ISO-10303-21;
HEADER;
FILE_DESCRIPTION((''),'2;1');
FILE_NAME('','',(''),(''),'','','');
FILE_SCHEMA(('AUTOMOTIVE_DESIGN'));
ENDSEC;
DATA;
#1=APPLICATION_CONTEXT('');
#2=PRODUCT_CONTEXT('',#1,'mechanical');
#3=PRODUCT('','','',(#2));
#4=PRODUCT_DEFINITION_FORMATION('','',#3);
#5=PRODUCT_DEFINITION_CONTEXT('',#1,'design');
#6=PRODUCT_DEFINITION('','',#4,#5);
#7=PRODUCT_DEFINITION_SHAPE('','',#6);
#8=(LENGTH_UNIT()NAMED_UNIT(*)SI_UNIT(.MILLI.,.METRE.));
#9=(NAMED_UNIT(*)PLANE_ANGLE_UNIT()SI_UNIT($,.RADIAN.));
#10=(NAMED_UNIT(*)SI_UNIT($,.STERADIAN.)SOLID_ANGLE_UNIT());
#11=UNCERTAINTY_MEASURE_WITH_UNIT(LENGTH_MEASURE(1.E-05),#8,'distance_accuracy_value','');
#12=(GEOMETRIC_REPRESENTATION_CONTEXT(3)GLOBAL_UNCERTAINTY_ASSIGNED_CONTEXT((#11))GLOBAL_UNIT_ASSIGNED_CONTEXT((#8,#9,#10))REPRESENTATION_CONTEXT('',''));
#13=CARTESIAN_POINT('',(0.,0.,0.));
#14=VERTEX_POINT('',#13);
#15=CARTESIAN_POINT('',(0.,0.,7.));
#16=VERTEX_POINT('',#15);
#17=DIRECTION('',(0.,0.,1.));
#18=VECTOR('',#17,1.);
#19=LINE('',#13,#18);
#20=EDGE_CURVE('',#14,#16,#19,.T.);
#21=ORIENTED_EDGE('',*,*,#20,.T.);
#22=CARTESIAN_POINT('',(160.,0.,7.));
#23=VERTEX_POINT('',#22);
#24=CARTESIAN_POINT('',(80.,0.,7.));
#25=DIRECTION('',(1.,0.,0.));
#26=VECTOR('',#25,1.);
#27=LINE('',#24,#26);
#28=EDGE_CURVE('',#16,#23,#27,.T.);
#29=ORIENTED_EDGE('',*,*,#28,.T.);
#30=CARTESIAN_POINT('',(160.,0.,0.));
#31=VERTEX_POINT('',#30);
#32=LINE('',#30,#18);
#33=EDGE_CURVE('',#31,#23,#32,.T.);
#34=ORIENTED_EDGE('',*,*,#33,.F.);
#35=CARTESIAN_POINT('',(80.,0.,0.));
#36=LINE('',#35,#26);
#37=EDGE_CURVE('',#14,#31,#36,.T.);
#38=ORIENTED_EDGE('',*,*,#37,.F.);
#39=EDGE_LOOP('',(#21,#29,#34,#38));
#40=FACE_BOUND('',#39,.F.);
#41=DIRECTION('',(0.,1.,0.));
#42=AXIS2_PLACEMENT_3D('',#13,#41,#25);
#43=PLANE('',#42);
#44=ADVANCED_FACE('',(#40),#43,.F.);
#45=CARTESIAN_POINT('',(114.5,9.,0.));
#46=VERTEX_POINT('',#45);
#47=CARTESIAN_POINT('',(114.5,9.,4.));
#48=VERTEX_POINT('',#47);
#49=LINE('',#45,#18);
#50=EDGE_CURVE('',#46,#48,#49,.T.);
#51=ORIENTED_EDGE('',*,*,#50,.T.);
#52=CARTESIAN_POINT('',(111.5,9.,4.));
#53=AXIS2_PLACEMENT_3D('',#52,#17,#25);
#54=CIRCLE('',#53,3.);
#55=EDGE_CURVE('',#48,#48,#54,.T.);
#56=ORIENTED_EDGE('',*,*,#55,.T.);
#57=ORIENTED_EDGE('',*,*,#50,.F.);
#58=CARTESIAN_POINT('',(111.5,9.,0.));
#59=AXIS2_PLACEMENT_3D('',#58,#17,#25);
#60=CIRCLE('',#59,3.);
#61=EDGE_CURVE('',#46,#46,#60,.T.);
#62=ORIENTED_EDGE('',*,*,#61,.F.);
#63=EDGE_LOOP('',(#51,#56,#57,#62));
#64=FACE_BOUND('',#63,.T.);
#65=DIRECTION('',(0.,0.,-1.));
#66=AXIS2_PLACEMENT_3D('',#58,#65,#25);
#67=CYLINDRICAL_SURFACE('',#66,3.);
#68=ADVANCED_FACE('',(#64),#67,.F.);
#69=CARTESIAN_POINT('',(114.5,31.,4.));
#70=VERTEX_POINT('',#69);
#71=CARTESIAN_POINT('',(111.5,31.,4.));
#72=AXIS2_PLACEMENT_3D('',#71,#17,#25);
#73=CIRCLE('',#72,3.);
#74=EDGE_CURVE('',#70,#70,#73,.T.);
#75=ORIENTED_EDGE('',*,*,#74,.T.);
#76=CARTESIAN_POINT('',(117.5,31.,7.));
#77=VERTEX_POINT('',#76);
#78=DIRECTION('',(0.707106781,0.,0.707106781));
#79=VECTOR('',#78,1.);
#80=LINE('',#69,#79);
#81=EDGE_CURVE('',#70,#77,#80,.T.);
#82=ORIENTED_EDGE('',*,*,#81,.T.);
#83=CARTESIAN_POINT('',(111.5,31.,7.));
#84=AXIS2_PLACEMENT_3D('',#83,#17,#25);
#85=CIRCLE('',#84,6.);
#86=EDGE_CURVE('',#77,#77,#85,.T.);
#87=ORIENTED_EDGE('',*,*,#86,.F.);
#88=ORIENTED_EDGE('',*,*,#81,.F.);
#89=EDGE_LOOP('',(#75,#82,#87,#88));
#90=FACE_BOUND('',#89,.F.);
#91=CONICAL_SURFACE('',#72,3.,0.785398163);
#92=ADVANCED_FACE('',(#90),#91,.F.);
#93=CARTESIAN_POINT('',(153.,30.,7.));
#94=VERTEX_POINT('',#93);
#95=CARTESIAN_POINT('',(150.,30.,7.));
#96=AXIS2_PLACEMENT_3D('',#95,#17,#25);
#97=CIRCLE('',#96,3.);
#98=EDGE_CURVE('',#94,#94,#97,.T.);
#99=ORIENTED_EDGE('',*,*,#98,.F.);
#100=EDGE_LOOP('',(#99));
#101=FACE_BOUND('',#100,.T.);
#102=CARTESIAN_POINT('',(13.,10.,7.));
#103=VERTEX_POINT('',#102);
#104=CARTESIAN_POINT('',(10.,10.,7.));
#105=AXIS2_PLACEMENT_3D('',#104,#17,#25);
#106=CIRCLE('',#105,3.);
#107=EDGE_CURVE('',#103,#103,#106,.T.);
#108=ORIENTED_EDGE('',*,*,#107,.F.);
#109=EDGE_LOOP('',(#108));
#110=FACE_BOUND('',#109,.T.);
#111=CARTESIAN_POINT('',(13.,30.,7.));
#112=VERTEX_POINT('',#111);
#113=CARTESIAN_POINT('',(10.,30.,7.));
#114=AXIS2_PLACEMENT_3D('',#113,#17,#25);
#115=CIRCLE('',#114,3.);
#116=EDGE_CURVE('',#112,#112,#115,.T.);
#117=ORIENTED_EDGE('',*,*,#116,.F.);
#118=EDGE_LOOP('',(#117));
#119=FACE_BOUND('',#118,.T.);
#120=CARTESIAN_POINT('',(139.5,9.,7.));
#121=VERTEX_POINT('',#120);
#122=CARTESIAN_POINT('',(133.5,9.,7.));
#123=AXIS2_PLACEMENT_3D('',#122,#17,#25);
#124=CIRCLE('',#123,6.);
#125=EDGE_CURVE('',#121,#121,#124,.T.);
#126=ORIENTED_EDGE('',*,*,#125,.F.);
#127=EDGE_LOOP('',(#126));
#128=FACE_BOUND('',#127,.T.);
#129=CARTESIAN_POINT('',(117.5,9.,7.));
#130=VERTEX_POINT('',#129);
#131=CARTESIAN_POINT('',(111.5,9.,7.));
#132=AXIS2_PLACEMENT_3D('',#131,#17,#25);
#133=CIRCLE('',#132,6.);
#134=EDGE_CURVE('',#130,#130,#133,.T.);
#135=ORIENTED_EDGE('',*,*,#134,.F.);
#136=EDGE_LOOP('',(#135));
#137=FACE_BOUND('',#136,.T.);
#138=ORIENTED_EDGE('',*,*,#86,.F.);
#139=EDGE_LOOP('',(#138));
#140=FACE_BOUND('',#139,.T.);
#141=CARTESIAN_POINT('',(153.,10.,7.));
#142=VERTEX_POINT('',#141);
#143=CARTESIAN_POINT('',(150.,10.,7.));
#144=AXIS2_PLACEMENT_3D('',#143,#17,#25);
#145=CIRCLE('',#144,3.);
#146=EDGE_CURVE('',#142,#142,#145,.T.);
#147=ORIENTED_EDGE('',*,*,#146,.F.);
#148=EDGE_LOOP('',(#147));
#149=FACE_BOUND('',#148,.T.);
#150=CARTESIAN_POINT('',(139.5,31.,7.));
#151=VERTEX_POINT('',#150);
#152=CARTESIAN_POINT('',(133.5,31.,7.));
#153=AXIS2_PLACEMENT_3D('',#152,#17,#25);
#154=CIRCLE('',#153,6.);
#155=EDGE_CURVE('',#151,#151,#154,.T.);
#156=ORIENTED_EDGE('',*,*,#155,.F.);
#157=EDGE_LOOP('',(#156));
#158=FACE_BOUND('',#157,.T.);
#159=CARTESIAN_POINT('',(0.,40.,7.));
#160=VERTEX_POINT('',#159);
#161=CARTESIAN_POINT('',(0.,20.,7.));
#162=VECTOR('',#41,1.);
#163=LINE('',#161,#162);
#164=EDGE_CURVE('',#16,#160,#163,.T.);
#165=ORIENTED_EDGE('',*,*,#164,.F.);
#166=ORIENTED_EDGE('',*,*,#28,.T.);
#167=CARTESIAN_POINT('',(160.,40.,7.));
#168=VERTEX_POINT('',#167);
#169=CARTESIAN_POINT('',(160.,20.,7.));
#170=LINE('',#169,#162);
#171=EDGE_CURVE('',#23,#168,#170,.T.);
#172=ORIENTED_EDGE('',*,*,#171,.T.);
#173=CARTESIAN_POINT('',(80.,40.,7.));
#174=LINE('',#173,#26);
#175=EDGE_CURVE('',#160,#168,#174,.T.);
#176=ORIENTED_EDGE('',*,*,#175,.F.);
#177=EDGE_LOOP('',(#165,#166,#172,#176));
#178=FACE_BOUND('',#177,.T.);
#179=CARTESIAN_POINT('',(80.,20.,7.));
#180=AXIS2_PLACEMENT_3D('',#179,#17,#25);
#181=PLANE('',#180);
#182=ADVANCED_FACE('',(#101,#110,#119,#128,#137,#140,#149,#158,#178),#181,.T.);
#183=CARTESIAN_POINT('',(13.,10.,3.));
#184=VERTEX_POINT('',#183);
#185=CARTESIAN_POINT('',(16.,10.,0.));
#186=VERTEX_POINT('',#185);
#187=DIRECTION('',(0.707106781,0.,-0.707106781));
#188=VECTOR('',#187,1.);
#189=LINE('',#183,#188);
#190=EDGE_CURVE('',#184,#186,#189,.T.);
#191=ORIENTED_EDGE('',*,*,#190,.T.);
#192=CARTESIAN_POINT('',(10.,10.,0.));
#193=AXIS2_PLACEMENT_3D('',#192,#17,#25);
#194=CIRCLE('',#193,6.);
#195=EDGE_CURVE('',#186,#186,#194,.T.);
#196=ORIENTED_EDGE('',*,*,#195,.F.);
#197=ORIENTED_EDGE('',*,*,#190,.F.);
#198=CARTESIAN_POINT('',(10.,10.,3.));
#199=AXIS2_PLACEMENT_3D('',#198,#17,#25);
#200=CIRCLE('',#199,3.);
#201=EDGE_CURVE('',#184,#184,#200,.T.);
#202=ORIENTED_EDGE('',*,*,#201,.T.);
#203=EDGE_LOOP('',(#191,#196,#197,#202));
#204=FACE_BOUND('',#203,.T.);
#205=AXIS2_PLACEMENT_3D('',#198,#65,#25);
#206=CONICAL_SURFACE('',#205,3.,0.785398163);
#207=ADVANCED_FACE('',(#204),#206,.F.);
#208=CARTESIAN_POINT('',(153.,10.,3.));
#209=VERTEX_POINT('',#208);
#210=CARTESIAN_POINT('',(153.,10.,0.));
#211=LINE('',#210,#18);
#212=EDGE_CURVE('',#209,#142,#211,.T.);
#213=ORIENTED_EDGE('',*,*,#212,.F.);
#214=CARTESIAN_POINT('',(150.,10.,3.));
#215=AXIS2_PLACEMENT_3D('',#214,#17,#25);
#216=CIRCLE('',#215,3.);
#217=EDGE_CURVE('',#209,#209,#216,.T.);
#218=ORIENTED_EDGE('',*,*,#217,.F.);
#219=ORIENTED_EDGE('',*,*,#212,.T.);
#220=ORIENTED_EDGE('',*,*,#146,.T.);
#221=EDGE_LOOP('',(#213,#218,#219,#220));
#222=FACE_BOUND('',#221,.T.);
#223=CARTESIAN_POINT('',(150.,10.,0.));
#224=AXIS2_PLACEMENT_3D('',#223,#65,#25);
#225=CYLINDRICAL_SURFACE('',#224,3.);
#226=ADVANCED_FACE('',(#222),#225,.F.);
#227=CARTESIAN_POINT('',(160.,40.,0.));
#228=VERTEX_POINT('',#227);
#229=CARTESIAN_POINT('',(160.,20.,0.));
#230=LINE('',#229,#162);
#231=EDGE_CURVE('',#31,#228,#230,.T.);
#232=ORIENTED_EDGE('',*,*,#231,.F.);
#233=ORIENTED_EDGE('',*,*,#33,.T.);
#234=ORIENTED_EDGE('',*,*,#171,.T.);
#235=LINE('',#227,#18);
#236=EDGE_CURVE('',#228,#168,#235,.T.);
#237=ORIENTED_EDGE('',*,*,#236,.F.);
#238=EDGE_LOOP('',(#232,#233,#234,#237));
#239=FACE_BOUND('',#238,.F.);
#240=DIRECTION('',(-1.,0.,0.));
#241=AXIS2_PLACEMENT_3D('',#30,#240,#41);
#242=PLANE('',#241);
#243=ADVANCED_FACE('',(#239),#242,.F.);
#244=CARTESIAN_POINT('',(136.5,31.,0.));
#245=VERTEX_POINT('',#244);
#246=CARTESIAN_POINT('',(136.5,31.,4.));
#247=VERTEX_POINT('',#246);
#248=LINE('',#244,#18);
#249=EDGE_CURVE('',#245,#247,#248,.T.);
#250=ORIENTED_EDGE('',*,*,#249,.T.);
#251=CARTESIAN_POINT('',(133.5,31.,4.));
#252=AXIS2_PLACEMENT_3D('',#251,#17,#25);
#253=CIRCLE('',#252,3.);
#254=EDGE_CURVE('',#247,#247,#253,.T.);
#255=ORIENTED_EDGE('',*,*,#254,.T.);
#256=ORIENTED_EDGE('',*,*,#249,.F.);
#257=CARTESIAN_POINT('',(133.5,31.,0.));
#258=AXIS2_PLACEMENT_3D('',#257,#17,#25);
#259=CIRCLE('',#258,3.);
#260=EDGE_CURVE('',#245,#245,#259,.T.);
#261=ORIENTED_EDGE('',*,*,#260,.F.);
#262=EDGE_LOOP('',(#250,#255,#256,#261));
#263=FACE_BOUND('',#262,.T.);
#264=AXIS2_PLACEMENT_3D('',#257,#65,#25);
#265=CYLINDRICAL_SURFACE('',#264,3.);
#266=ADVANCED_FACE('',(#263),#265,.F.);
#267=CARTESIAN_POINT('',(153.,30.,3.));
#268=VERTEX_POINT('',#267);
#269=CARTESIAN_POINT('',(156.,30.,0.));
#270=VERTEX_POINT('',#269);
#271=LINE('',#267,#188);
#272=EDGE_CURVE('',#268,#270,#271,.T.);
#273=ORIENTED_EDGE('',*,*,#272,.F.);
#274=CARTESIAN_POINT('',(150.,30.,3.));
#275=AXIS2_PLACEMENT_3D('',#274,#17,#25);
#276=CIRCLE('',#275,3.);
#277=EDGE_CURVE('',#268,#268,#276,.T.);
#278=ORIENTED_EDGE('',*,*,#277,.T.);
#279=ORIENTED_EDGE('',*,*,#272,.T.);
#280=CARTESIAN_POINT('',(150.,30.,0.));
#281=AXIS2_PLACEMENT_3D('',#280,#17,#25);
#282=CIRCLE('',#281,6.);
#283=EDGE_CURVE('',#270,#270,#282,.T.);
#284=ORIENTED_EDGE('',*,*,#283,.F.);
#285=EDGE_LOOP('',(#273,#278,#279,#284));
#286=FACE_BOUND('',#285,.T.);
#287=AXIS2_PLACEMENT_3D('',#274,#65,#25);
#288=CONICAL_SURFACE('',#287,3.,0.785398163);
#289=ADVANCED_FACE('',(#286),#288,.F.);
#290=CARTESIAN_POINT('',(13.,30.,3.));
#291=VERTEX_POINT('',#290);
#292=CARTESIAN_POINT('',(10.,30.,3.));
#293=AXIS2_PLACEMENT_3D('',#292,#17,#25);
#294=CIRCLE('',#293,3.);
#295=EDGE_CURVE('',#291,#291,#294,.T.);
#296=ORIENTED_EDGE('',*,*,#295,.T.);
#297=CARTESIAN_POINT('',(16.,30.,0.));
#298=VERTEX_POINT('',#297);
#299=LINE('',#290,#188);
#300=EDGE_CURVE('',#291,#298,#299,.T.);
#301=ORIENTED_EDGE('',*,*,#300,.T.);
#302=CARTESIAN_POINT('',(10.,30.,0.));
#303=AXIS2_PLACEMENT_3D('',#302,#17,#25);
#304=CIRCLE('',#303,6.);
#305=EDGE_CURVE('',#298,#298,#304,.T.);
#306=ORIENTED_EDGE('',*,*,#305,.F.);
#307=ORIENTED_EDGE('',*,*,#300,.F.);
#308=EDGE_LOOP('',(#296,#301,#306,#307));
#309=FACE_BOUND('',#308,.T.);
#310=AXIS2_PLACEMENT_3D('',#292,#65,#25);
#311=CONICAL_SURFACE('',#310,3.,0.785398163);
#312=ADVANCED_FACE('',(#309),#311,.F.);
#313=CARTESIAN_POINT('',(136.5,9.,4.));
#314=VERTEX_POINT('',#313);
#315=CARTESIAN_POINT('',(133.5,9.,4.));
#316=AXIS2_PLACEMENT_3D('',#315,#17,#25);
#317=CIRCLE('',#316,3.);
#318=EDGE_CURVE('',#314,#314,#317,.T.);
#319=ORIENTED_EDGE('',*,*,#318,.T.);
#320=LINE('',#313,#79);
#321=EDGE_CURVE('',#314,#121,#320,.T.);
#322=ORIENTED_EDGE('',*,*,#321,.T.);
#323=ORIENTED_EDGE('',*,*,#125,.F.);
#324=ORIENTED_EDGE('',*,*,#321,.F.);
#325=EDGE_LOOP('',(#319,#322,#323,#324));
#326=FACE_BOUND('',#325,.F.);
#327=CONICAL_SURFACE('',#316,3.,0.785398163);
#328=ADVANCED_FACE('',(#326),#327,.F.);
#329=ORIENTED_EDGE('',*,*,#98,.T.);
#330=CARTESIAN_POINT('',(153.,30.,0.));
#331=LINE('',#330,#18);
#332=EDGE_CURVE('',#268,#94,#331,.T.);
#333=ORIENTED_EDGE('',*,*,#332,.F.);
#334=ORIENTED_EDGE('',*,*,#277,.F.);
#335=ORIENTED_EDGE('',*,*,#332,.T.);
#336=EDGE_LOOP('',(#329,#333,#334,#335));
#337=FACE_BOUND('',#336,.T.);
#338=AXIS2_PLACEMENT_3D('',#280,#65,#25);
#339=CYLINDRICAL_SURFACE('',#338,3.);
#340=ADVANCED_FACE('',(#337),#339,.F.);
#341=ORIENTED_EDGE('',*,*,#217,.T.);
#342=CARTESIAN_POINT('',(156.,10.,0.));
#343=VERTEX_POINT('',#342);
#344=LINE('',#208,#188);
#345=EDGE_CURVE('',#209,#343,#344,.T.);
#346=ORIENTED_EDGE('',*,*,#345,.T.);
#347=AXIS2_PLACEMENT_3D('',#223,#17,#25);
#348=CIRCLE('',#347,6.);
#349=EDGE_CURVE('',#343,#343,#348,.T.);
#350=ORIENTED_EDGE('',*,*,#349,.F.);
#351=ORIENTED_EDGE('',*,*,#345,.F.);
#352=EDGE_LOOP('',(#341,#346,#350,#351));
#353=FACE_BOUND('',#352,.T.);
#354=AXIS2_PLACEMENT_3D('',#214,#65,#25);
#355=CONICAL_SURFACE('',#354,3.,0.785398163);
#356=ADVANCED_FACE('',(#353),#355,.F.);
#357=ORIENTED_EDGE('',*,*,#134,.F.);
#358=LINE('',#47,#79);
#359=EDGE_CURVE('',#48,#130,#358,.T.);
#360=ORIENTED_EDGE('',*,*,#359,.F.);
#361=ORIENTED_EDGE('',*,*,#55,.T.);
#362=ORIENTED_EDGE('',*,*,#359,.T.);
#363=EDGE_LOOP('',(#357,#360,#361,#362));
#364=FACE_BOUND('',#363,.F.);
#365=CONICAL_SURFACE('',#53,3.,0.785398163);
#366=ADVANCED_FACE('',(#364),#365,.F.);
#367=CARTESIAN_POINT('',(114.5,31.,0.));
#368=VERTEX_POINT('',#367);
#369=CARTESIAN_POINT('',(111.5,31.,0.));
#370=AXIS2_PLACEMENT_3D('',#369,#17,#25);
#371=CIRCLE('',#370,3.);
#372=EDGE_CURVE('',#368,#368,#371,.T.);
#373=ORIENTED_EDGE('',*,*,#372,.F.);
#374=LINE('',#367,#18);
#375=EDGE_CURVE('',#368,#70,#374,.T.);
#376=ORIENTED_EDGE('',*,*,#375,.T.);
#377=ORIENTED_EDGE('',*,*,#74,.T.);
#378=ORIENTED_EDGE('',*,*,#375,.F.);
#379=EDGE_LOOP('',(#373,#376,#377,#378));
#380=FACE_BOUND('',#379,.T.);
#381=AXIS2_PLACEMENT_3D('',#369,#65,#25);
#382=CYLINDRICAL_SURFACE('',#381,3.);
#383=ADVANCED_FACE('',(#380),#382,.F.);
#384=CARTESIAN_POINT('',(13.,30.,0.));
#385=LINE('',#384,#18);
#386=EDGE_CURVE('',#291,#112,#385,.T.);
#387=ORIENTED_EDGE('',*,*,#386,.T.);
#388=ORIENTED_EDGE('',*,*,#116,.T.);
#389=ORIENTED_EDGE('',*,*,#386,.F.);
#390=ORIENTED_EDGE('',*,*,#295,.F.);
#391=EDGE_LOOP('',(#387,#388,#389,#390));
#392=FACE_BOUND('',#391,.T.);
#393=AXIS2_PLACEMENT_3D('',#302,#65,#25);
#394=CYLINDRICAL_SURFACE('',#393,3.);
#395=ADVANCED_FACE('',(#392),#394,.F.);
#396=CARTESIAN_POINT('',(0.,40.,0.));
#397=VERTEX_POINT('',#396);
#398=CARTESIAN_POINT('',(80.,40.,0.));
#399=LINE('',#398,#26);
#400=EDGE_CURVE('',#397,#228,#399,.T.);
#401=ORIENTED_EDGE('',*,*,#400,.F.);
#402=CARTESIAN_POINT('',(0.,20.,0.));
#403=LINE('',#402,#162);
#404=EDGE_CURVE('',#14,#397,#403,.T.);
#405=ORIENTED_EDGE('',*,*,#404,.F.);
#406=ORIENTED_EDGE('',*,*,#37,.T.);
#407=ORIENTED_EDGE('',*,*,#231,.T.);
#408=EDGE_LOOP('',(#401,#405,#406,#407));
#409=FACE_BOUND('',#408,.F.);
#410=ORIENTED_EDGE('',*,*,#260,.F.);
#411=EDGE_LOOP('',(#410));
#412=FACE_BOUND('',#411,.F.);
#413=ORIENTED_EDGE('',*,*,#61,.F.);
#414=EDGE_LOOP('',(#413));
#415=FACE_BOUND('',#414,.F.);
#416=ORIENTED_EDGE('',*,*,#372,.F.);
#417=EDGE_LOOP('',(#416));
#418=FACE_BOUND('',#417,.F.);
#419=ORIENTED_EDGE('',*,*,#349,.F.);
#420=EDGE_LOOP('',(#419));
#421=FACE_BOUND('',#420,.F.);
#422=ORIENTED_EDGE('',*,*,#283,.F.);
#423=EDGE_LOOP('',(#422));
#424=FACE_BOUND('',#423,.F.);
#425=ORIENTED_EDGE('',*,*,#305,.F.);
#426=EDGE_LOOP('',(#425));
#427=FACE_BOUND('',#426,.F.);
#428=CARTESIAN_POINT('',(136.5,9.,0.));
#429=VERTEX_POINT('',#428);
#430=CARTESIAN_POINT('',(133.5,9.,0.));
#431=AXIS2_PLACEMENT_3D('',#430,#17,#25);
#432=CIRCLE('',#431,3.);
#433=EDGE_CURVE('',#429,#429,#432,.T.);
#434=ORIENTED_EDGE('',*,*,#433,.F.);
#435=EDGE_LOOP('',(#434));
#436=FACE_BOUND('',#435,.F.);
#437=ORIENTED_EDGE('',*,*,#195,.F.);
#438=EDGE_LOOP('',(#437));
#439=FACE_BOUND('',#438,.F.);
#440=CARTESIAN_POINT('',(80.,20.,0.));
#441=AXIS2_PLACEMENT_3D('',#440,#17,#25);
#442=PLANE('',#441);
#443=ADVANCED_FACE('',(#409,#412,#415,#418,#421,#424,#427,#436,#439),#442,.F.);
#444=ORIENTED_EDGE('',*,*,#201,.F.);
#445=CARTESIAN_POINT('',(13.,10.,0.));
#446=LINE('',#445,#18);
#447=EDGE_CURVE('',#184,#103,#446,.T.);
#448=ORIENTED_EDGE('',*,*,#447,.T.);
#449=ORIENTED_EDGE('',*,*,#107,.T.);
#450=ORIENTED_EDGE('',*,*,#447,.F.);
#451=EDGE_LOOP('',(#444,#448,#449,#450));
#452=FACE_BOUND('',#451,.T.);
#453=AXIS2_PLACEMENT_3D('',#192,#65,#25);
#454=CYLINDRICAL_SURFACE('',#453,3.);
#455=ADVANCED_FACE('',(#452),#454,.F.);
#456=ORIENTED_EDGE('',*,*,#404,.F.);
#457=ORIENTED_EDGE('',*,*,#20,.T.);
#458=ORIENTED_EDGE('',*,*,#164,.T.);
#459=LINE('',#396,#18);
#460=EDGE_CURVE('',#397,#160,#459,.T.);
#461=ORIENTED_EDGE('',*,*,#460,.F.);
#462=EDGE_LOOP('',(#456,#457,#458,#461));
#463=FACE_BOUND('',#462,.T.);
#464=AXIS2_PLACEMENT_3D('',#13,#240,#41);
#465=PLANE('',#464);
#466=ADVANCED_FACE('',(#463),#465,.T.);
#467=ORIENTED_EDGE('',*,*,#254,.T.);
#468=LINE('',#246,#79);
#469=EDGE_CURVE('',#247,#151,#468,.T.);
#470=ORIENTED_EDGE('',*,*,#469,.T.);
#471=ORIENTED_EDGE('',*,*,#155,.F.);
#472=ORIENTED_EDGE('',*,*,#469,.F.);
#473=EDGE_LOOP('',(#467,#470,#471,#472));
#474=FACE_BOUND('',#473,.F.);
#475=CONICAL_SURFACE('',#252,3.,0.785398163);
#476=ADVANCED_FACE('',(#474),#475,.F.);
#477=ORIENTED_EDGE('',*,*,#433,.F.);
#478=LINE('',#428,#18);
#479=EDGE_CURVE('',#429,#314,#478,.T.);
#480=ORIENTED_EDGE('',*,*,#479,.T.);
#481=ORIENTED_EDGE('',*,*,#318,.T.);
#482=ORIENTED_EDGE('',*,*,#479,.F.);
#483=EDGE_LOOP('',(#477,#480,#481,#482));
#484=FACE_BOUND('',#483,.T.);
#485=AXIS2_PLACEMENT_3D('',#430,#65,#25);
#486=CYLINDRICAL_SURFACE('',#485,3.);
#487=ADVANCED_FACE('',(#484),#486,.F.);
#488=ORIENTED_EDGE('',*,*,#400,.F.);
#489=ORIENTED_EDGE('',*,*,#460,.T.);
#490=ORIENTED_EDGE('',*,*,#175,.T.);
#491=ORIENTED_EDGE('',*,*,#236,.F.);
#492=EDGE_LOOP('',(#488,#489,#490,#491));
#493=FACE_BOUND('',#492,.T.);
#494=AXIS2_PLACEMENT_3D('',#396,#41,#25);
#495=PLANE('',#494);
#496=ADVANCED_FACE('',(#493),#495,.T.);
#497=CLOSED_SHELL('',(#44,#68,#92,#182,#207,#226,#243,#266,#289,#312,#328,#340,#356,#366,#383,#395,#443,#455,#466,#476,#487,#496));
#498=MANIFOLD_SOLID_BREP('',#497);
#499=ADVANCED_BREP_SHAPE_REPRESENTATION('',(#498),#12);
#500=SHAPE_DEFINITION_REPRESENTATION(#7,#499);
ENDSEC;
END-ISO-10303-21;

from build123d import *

# Parameters (mm, degrees)
F0_W     = 160
F0_H     = 40
F0_R     = 3
F1_DEPTH = 7
F2_SIZE  = 3


with BuildPart() as f1:
    # F0 (on Top) → F1 (new body)
    with BuildSketch(Plane.XY):
        with Locations((80, 20)):
            Rectangle(F0_W, F0_H)
        with Locations((10, 10)):
            Circle(F0_R, mode=Mode.SUBTRACT)
        with Locations((111.5, 9)):
            Circle(F0_R, mode=Mode.SUBTRACT)
        with Locations((133.5, 9)):
            Circle(F0_R, mode=Mode.SUBTRACT)
        with Locations((150, 10)):
            Circle(F0_R, mode=Mode.SUBTRACT)
        with Locations((10, 30)):
            Circle(F0_R, mode=Mode.SUBTRACT)
        with Locations((111.5, 31)):
            Circle(F0_R, mode=Mode.SUBTRACT)
        with Locations((133.5, 31)):
            Circle(F0_R, mode=Mode.SUBTRACT)
        with Locations((150, 30)):
            Circle(F0_R, mode=Mode.SUBTRACT)
    extrude(amount=F1_DEPTH)

    # F2
    f2_edges = [f1.edges().sort_by_distance(p)[0] for p in [
        (108.5, 31, 7),
        (130.5, 31, 7),
        (130.5, 9, 7),
        (108.5, 9, 7),
        (147, 10, 0),
        (147, 30, 0),
        (7, 10, 0),
        (7, 30, 0),
    ]]
    chamfer(f2_edges, length=F2_SIZE)


solid = f1.part
